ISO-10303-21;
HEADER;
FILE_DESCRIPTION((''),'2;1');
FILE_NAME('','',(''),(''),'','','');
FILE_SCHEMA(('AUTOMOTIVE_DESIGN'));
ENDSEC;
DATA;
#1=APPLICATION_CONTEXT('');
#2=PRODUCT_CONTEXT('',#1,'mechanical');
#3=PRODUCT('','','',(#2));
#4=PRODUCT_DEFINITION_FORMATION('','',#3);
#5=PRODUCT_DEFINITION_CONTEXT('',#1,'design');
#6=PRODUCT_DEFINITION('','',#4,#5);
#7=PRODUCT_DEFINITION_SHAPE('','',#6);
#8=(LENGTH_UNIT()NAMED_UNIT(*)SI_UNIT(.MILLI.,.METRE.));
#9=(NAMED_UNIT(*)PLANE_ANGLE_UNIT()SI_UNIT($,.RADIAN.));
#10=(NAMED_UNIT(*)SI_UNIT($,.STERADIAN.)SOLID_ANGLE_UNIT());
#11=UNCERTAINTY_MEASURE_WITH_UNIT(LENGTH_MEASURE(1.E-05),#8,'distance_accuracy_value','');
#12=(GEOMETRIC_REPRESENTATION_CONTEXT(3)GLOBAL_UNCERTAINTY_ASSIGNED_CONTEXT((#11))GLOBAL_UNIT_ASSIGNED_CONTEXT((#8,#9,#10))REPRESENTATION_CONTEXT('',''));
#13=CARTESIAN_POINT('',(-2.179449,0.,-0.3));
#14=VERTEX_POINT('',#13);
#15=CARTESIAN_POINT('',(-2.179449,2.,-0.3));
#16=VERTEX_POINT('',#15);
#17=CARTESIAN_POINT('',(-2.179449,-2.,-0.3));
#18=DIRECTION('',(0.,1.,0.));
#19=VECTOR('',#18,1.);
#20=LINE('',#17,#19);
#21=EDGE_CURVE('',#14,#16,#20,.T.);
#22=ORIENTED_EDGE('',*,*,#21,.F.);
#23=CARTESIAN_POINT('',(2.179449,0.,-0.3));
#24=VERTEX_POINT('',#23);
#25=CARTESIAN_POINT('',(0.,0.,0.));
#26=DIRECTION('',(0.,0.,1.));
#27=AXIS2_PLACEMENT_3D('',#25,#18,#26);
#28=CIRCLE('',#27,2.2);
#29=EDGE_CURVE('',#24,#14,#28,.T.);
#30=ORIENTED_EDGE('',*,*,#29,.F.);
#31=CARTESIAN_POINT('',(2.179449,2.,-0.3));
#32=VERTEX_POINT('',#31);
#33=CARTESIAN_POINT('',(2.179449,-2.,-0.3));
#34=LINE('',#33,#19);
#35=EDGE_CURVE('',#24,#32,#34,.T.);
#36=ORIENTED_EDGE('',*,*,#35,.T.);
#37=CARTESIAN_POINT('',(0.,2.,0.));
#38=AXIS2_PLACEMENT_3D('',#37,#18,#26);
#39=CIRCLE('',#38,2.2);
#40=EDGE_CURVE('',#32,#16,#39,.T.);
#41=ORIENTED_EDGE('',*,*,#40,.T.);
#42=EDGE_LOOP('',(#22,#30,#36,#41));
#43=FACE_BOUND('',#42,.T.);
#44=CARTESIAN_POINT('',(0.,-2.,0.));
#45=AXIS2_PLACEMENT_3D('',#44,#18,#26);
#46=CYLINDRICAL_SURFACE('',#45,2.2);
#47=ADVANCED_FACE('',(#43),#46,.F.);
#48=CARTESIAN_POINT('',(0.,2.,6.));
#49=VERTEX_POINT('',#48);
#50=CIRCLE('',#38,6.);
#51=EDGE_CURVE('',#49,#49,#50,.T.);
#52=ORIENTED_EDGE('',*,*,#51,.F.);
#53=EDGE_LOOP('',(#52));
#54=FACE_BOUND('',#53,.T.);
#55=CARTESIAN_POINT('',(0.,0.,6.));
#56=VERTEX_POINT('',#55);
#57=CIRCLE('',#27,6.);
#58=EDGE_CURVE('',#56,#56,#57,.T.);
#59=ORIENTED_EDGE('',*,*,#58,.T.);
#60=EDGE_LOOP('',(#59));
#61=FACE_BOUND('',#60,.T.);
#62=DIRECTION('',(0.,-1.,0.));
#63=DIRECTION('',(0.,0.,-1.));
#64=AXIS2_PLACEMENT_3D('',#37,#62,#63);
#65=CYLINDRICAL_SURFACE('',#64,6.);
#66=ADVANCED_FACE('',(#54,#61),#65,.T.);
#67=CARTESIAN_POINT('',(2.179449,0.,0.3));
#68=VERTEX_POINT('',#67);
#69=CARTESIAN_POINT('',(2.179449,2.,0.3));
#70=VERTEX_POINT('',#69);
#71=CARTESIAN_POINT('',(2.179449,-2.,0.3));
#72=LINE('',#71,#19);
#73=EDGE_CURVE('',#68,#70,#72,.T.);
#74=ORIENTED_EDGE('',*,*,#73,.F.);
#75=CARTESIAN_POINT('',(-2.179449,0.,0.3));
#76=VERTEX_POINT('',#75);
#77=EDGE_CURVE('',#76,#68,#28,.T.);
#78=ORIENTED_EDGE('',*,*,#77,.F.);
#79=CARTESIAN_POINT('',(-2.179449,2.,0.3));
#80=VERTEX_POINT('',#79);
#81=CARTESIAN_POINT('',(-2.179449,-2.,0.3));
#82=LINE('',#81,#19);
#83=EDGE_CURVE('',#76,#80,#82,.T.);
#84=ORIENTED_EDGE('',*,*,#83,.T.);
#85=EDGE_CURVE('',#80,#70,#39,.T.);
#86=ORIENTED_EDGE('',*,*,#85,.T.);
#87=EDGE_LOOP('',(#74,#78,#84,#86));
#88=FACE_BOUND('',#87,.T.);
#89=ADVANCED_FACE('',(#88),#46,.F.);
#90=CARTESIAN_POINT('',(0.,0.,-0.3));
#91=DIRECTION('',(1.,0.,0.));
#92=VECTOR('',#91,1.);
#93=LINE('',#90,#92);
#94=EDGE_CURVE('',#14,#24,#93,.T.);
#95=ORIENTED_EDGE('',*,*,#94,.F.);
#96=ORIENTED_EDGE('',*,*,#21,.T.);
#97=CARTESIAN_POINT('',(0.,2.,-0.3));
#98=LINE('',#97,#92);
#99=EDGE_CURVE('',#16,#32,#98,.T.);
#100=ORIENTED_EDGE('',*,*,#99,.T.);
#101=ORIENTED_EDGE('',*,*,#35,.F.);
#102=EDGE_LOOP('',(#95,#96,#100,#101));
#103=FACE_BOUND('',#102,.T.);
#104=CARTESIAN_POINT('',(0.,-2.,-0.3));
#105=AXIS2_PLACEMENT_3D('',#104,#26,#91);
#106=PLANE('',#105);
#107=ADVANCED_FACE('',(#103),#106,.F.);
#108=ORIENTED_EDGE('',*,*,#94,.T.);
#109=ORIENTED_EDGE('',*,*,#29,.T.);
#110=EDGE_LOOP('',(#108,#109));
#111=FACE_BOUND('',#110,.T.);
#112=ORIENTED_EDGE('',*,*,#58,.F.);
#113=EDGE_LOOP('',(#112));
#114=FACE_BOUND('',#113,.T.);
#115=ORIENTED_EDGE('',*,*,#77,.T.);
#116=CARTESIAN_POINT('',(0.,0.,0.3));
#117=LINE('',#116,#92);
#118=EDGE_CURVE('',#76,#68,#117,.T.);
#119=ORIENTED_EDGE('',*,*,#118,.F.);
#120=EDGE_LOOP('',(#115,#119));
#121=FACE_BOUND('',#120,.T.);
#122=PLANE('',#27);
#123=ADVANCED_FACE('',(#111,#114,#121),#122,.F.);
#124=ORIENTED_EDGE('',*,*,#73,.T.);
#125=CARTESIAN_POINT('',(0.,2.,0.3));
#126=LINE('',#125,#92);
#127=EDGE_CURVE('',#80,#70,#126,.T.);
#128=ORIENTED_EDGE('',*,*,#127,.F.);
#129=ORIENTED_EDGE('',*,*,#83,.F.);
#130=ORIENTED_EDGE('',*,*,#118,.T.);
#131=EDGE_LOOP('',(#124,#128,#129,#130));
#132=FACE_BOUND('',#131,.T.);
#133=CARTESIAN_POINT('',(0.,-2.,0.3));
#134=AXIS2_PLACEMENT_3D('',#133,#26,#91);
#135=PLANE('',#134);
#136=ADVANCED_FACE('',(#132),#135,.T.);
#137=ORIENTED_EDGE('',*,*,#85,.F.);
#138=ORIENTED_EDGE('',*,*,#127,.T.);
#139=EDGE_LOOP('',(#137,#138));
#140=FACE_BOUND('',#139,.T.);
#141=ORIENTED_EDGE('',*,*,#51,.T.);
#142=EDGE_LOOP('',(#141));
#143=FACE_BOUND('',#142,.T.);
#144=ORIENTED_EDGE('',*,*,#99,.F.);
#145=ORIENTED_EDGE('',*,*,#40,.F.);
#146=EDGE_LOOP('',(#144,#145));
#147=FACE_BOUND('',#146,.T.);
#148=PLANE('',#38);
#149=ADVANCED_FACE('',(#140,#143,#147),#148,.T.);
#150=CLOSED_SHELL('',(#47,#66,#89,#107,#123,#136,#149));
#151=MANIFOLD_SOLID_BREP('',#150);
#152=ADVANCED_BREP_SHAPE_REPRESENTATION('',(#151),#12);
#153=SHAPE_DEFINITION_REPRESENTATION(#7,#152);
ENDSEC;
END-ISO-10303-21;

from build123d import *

# Parameters (mm, degrees)
SKETCH2_R           = 6
BOSS_EXTRUDE1_DEPTH = 2
CUT_EXTRUDE3_DEPTH  = 4


with BuildPart() as part:
    # Sketch2 → Boss-Extrude1 (new body)
    with BuildSketch(Plane(origin=(0, 0, 0), x_dir=(1, 0, 0), z_dir=(0, 1, 0))):
        with Locations(Location((0, 0, 0), (0, 0, 270))):
            Circle(SKETCH2_R)
    extrude(amount=BOSS_EXTRUDE1_DEPTH)

    # Sketch3 → Cut-Extrude3 (cut)
    with BuildSketch(Plane(origin=(0, 2, 0), x_dir=(1, 0, 0), z_dir=(0, 1, 0))):
        with BuildLine():
            Line((-2.179449472, 0.3), (0, 0.3))
            Line((0, 0.3), (2.179449472, 0.3))
            ThreePointArc((2.179449472, 0.3), (0, 2.2), (-2.179449472, 0.3))
        make_face()
        with BuildLine():
            Line((2.179449472, -0.3), (0, -0.3))
            Line((0, -0.3), (-2.179449472, -0.3))
            ThreePointArc((-2.179449472, -0.3), (0, -2.2), (2.179449472, -0.3))
        make_face()
    extrude(amount=-CUT_EXTRUDE3_DEPTH, mode=Mode.SUBTRACT)


solid = part.part
